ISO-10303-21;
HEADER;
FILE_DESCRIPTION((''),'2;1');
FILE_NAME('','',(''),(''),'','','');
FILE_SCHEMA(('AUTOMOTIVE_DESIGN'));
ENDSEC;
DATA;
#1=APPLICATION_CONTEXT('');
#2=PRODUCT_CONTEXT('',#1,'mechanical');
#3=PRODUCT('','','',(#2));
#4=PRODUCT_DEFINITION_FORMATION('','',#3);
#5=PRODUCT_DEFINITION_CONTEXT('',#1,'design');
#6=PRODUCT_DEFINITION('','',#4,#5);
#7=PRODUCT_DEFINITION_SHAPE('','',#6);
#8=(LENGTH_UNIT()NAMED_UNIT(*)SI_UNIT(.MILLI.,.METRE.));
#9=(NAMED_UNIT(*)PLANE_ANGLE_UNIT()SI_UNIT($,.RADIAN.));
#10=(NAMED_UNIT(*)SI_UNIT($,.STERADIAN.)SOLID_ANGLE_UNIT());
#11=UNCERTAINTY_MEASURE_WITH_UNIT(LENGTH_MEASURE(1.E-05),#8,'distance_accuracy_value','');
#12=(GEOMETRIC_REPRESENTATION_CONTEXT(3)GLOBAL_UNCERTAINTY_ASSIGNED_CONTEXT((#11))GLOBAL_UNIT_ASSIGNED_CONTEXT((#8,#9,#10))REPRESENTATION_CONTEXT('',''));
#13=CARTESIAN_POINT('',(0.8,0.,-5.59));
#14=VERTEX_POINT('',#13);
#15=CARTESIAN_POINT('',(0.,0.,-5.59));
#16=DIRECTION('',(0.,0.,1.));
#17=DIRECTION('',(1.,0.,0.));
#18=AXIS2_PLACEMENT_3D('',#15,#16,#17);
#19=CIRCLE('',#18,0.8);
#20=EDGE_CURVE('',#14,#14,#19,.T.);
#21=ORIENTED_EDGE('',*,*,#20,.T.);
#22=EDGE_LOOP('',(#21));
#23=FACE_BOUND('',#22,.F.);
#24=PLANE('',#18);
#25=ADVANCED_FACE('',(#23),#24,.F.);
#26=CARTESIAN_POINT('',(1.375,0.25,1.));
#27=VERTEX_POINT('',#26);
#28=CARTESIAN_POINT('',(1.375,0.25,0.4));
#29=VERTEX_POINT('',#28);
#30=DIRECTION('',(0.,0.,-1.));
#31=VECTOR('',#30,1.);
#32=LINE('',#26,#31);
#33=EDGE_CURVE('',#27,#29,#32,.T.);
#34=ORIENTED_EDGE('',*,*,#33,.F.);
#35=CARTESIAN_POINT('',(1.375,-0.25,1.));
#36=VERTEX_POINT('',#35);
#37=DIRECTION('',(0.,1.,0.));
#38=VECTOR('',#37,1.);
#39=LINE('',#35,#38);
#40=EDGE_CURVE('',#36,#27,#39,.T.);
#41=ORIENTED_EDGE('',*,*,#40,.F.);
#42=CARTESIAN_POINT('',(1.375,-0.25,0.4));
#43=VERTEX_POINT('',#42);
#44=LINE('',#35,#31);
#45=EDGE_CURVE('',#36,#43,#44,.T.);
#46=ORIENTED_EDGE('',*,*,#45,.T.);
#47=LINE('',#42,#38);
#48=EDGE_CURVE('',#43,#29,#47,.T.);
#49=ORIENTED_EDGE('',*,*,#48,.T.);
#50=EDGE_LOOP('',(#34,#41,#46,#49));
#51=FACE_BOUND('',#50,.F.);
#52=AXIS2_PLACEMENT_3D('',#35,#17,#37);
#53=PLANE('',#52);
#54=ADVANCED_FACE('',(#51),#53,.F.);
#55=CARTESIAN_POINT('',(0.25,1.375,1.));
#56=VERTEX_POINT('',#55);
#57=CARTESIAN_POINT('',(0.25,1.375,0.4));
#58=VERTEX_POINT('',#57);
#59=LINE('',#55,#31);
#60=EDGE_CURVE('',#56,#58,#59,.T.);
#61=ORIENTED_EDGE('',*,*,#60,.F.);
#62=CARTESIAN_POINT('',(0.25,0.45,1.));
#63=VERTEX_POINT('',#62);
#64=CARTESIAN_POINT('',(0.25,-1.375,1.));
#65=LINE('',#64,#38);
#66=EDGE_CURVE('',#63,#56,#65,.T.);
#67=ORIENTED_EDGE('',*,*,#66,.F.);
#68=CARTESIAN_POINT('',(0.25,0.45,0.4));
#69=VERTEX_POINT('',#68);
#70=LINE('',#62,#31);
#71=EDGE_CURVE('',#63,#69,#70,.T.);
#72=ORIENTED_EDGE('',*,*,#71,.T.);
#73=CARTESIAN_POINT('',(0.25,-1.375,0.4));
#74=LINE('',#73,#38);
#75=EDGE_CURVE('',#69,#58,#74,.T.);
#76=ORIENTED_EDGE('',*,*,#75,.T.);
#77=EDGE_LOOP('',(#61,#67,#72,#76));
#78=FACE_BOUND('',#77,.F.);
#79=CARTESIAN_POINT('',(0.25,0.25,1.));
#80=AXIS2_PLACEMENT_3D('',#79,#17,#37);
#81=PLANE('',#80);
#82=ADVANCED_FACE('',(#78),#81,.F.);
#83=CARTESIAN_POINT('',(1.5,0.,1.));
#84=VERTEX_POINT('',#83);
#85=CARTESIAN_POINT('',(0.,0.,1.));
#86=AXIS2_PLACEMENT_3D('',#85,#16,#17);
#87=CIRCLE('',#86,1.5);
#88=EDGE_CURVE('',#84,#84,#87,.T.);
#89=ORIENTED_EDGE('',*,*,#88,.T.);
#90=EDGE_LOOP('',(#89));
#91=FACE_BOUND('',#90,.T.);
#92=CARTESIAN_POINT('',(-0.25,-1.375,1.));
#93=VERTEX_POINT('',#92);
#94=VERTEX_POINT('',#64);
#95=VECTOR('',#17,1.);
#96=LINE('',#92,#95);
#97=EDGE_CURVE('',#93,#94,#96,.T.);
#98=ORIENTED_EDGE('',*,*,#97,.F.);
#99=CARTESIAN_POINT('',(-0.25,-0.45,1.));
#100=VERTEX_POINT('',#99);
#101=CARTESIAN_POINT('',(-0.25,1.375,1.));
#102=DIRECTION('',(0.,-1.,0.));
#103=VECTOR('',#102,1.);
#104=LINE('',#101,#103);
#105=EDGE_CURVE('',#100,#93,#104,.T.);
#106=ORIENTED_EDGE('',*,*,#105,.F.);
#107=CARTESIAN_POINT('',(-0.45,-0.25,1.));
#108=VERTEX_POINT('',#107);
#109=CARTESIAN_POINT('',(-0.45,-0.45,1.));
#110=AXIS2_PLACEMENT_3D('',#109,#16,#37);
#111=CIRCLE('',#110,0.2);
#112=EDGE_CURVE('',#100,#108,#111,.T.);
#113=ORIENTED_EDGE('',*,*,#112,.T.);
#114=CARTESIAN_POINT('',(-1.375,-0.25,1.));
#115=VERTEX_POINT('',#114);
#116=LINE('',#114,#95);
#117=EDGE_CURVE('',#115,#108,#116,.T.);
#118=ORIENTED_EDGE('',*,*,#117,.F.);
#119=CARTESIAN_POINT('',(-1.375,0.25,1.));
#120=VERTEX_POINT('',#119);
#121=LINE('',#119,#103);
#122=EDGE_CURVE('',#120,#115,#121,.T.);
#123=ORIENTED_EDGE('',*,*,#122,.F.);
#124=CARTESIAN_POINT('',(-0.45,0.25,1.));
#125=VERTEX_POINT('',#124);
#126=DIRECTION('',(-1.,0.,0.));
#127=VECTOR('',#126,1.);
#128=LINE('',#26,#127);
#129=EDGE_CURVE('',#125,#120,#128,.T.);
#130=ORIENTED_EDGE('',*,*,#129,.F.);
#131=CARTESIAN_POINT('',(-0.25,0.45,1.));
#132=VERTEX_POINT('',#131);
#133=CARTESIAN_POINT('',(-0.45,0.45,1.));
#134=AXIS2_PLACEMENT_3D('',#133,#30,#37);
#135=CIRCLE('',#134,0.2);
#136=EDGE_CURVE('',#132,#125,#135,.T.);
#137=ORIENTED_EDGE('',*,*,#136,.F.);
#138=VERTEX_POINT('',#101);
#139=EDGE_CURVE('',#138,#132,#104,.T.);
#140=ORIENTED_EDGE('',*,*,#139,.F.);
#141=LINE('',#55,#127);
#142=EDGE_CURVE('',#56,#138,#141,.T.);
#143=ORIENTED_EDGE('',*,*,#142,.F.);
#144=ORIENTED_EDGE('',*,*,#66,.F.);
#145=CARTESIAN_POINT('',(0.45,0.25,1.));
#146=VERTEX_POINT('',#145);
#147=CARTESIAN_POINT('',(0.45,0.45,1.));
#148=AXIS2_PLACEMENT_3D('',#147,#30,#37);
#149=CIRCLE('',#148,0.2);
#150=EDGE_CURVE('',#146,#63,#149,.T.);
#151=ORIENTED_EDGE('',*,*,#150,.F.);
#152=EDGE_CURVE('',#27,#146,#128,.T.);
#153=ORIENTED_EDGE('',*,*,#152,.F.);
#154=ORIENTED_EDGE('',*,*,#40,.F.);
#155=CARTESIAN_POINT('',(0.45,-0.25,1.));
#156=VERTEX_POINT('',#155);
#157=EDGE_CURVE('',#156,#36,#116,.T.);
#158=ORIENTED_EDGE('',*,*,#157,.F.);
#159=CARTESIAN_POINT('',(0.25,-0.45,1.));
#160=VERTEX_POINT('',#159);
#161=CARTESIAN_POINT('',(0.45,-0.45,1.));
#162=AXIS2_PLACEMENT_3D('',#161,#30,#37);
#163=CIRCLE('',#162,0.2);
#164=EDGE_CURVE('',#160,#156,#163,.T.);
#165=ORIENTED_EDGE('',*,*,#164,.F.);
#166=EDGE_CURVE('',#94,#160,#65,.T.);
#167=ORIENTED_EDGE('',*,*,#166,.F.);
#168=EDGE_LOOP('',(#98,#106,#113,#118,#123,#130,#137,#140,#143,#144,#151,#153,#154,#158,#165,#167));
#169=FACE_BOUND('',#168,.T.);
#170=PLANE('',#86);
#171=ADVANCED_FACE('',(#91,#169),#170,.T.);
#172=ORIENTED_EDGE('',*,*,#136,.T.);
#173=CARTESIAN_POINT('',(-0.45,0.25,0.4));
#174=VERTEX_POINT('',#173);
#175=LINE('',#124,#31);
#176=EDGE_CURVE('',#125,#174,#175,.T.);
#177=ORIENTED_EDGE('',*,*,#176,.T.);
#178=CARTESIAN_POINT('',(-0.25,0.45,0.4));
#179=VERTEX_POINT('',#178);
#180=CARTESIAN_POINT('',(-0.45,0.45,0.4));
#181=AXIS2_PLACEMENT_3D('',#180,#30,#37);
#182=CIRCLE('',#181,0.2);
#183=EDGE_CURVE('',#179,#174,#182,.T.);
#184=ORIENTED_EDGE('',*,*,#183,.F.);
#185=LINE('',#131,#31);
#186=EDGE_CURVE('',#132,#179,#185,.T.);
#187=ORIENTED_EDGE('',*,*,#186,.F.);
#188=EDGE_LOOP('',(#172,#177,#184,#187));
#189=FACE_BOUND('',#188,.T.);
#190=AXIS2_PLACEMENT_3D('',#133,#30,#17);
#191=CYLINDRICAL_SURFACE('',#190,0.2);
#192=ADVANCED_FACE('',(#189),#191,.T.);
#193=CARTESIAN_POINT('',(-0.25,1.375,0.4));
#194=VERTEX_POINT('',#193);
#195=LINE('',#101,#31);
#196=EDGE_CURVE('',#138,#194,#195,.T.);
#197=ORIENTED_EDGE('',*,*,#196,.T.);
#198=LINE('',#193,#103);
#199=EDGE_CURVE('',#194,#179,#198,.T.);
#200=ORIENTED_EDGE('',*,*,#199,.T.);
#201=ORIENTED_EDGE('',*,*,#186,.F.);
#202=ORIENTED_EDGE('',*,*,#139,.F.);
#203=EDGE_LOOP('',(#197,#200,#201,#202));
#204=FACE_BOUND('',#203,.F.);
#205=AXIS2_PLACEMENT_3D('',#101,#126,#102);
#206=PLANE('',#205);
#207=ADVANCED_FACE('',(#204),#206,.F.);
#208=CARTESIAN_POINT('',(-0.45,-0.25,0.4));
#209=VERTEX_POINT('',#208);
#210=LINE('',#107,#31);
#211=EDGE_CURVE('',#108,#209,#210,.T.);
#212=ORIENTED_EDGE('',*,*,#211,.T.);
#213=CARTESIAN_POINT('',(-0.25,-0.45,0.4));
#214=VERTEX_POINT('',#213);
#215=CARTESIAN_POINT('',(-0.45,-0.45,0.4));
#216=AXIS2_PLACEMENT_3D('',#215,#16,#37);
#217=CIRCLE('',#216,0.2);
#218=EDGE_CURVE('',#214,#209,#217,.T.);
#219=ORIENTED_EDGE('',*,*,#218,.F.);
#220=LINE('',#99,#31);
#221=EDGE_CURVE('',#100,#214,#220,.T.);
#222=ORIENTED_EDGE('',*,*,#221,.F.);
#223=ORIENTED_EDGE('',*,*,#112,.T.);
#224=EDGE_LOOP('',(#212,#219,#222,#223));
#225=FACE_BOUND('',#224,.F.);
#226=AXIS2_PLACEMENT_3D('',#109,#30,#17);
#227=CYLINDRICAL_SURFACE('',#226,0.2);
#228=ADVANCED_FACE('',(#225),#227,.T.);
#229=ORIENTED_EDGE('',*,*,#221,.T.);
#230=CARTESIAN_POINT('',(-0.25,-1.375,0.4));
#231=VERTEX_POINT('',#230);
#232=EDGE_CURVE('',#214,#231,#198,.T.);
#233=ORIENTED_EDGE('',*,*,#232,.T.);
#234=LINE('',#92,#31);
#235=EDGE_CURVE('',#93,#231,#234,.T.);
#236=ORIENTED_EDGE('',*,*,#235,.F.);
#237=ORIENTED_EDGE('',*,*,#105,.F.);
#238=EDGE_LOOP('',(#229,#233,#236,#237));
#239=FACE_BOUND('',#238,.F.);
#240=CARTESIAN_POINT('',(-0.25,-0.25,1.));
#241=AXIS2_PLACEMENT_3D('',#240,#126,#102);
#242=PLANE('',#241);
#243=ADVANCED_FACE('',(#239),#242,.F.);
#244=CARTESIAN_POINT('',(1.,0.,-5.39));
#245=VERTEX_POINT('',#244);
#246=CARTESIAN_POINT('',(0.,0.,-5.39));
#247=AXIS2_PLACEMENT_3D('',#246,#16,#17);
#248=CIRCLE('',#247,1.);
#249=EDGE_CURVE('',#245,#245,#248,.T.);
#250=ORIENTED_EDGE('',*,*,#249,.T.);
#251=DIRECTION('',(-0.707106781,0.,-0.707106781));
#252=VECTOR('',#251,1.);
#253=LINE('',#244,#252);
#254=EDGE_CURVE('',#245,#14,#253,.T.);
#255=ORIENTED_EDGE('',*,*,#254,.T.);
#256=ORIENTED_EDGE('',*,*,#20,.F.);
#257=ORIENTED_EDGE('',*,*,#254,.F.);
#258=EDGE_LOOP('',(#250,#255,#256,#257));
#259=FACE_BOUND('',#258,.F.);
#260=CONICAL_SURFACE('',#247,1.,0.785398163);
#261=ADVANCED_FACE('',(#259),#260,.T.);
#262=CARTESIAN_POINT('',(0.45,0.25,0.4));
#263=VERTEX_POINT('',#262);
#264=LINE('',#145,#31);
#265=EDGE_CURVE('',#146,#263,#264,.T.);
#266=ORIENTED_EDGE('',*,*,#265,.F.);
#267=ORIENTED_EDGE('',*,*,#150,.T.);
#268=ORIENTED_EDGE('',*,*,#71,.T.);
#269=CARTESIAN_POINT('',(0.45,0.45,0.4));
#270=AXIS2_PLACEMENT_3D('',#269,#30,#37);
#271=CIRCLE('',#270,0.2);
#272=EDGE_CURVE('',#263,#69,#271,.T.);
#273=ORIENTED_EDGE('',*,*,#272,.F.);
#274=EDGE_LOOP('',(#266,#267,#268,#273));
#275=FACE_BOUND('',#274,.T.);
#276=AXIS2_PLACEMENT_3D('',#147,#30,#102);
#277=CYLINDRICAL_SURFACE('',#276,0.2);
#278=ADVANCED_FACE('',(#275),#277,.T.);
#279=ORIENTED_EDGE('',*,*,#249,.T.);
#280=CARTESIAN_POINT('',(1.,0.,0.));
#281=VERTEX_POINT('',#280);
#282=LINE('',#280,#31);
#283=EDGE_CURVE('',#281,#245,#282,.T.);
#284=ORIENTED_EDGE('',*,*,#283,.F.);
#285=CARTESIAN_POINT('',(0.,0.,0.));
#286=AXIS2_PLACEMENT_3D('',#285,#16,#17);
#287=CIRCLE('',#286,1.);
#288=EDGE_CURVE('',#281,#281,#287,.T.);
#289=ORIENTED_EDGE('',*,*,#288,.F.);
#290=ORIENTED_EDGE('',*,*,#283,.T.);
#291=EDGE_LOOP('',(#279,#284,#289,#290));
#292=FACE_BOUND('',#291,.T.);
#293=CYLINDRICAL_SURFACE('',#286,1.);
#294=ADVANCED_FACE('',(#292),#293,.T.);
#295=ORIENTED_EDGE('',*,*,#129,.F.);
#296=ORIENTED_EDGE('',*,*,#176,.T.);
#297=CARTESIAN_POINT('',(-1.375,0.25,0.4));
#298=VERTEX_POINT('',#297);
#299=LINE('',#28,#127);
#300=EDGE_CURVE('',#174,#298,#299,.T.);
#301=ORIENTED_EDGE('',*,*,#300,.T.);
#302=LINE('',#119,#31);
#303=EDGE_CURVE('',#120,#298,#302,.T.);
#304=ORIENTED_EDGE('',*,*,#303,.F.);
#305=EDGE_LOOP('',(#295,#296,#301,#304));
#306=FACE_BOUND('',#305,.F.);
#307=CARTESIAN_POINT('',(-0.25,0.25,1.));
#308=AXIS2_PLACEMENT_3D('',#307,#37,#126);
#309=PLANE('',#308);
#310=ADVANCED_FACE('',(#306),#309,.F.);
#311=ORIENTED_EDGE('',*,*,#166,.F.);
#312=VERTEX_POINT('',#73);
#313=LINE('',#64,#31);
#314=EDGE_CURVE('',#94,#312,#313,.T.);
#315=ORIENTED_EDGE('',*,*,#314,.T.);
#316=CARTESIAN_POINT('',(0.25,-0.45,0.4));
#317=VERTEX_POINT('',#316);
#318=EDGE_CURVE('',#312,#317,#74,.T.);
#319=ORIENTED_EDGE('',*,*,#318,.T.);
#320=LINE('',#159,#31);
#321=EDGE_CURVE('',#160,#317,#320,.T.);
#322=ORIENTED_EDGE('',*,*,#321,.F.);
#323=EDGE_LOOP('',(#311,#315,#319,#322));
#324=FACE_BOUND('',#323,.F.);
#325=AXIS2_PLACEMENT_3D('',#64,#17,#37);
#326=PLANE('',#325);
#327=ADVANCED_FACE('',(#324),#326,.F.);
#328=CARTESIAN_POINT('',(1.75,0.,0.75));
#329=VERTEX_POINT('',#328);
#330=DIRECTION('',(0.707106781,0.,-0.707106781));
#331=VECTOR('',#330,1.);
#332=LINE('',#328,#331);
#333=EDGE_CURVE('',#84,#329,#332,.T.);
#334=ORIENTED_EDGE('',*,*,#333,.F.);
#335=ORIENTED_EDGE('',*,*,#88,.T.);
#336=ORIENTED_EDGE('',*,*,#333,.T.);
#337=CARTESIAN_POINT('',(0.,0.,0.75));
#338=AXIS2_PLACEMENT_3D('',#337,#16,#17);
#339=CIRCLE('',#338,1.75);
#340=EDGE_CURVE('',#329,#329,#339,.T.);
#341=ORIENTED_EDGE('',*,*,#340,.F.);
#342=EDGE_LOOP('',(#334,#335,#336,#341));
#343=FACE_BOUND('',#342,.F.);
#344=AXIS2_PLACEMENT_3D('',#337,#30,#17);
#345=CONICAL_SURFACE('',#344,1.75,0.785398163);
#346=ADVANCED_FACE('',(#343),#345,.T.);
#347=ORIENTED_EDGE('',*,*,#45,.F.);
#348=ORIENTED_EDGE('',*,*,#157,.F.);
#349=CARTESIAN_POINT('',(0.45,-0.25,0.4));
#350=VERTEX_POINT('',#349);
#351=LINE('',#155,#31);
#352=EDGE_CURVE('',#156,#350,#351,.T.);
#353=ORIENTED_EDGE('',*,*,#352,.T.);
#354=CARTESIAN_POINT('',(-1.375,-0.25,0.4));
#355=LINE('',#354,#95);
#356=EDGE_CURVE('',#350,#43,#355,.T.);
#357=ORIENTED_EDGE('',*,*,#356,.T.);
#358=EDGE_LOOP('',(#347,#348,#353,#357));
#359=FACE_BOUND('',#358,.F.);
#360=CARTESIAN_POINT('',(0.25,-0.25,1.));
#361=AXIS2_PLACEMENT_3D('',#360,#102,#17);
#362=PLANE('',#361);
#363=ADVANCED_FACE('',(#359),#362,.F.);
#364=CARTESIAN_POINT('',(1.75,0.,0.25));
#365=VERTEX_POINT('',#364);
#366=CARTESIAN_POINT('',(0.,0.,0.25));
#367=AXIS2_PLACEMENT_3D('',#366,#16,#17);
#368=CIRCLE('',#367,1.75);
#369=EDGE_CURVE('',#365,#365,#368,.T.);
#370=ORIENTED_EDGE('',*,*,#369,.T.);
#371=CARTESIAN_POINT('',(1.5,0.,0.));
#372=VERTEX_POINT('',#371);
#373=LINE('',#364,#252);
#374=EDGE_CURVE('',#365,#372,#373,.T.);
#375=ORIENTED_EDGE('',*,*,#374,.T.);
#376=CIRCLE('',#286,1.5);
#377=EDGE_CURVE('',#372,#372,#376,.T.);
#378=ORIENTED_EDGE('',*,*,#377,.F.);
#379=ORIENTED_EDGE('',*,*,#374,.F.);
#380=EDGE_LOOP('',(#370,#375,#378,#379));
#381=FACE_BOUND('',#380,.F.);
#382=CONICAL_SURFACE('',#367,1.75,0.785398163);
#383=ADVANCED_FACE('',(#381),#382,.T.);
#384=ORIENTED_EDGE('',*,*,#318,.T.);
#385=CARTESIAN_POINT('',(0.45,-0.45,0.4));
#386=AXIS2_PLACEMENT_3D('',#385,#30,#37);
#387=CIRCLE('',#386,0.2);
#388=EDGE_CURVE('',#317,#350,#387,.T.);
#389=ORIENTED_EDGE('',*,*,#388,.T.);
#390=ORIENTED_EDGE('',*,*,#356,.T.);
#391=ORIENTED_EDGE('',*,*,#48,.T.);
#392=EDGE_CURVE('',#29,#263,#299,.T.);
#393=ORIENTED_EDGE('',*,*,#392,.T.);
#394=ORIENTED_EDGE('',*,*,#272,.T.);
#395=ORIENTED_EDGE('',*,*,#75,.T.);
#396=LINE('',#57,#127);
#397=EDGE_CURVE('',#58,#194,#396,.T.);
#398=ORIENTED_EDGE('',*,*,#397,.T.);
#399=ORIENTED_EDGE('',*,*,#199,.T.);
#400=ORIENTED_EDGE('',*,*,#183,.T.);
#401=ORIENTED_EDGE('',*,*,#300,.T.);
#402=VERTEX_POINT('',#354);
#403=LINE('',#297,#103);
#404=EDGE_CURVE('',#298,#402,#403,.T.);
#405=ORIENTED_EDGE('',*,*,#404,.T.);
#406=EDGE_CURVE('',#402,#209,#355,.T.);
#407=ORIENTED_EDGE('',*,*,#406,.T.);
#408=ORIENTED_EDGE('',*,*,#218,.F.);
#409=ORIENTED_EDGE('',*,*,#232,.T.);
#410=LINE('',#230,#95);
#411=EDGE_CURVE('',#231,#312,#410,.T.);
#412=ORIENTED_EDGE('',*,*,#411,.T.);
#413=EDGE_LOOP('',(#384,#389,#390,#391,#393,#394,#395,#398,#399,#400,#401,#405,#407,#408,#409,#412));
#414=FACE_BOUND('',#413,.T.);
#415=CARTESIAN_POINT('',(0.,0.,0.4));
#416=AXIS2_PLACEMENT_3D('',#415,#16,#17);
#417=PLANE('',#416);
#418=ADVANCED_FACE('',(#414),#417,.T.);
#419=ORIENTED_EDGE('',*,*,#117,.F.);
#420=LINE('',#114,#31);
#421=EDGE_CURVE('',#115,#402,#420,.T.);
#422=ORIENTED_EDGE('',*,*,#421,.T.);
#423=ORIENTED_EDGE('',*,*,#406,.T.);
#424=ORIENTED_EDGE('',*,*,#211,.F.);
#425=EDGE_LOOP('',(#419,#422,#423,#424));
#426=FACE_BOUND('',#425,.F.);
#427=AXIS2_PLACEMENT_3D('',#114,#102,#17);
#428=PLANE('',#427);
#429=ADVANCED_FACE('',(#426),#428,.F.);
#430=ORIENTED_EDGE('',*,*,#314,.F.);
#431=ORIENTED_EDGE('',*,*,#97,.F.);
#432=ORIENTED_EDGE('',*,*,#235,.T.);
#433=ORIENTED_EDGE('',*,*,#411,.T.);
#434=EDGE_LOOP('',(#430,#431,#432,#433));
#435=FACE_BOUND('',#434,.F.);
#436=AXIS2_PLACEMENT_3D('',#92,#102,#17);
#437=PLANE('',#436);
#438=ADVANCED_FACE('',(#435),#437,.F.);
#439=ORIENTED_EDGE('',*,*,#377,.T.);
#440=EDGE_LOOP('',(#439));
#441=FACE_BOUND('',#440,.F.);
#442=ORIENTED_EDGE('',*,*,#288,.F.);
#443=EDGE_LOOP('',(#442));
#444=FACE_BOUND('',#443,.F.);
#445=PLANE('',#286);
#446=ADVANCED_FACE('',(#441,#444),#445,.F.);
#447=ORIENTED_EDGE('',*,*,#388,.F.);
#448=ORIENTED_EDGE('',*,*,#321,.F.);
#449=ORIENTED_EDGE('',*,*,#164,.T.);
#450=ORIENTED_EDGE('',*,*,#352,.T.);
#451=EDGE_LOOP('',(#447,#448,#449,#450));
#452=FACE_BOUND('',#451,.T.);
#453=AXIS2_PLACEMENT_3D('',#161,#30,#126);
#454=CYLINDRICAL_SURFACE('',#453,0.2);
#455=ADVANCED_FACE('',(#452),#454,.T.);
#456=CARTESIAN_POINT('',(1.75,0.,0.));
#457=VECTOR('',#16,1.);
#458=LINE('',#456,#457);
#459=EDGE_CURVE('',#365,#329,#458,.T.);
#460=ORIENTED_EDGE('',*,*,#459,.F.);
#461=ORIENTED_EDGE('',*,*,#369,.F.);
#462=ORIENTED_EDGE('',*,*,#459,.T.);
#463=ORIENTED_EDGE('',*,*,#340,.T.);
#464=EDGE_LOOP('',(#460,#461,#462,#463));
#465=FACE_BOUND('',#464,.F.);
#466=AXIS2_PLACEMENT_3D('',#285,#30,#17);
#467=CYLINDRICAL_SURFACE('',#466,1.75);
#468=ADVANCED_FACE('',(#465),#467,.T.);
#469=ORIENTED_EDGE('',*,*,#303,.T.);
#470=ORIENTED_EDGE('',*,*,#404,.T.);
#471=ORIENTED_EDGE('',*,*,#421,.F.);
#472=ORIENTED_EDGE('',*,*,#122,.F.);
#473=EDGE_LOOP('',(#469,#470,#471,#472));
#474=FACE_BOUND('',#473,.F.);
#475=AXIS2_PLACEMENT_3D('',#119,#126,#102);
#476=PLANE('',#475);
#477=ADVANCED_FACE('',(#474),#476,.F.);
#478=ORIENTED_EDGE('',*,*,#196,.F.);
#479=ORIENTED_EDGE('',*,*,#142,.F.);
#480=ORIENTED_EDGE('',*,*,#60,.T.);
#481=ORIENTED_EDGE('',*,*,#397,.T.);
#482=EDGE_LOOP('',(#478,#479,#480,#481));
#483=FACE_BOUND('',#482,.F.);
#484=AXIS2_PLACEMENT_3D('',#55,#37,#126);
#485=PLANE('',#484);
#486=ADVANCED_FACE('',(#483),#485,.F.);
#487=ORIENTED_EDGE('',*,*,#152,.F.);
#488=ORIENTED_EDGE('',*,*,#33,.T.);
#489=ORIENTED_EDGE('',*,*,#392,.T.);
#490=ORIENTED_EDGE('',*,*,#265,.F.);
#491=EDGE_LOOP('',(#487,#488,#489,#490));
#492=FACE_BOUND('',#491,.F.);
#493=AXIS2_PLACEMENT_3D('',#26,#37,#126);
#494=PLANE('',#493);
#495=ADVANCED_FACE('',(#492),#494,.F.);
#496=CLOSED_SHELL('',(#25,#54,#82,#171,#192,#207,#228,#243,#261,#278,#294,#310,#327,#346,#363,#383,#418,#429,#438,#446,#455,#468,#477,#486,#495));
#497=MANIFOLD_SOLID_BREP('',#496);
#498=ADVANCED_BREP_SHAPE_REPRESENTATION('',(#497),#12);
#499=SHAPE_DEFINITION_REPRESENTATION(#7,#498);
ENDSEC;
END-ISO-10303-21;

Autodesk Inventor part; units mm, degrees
ref_plane "YZ Plane" through (0, 0, 0) normal (1, 0, 0) x (0, 1, 0)
ref_plane "XZ Plane" through (0, 0, 0) normal (0, 1, 0) x (-1, 0, 0)
ref_plane "XY Plane" through (0, 0, 0) normal (0, 0, 1) x (1, 0, 0)
sketch "Esboço1" plane through (0, 0, 0) normal (0, 0, 1) x (1, 0, 0)
  circle A0 centre (0, 0) radius 1
  dimension "d0" = 2
extrude "Extrusão1" add sketch "Esboço1" against normal blind 5.59
sketch "Esboço2" plane through (0, 0, 0) normal (0, 0, 1) x (1, 0, 0)
  circle A0 centre (0, 0) radius 1.75
  dimension "d3" = 3.5
extrude "Extrusão2" add sketch "Esboço2" along normal blind 1
sketch "Esboço3" plane through (0, 0, 1) normal (0, 0, 1) x (1, 0, 0)
  line L0 (-0.25, -1.375) -> (0.25, -1.375)
  line L1 (0.25, -1.375) -> (0.25, 1.375)
  line L2 (0.25, 1.375) -> (-0.25, 1.375)
  line L3 (-0.25, 1.375) -> (-0.25, -1.375)
  line L4 (-0.25, -1.375) -> (0.25, 1.375) construction
  line L5 (0.25, -1.375) -> (-0.25, 1.375) construction
  line L6 (-1.375, -0.25) -> (1.375, -0.25)
  line L7 (1.375, -0.25) -> (1.375, 0.25)
  line L8 (1.375, 0.25) -> (-1.375, 0.25)
  line L9 (-1.375, 0.25) -> (-1.375, -0.25)
  line L10 (-1.375, -0.25) -> (1.375, 0.25) construction
  line L11 (1.375, -0.25) -> (-1.375, 0.25) construction
  point P0 (0, 0)
  point P1 (-0.25, 0.25)
  point P2 (-0.25, -0.25)
  point P3 (0.25, -0.25)
  point P4 (0.25, 0.25)
  dimension "d6" = 0.5
  dimension "d7" = 0.5
  dimension "d8" = 2.75
  dimension "d9" = 2.75
extrude "Extrusão3" cut sketch "Esboço3" against normal blind 0.6
thread "Rosca1" size "M2x0.4" class "6g" standard "ANSI Metric M Profile" length 15.255
fillet "Arredondamento2" radius 0.2 4 edges at (-0.25, 0.25, 0.7) (0.25, 0.25, 0.7) (-0.25, -0.25, 0.7) (0.25, -0.25, 0.7)
chamfer "Chanfro1" distance 0.25 angle 45 2 edges at (-1.75, 0, 1) (-1.75, 0, 0)
chamfer "Chanfro2" distance 0.2 angle 45 1 edges at (-1, 0, -5.59)
properties part number "Parafuso 2_2 mm" material "Liga de Nickel-Copper 400"
